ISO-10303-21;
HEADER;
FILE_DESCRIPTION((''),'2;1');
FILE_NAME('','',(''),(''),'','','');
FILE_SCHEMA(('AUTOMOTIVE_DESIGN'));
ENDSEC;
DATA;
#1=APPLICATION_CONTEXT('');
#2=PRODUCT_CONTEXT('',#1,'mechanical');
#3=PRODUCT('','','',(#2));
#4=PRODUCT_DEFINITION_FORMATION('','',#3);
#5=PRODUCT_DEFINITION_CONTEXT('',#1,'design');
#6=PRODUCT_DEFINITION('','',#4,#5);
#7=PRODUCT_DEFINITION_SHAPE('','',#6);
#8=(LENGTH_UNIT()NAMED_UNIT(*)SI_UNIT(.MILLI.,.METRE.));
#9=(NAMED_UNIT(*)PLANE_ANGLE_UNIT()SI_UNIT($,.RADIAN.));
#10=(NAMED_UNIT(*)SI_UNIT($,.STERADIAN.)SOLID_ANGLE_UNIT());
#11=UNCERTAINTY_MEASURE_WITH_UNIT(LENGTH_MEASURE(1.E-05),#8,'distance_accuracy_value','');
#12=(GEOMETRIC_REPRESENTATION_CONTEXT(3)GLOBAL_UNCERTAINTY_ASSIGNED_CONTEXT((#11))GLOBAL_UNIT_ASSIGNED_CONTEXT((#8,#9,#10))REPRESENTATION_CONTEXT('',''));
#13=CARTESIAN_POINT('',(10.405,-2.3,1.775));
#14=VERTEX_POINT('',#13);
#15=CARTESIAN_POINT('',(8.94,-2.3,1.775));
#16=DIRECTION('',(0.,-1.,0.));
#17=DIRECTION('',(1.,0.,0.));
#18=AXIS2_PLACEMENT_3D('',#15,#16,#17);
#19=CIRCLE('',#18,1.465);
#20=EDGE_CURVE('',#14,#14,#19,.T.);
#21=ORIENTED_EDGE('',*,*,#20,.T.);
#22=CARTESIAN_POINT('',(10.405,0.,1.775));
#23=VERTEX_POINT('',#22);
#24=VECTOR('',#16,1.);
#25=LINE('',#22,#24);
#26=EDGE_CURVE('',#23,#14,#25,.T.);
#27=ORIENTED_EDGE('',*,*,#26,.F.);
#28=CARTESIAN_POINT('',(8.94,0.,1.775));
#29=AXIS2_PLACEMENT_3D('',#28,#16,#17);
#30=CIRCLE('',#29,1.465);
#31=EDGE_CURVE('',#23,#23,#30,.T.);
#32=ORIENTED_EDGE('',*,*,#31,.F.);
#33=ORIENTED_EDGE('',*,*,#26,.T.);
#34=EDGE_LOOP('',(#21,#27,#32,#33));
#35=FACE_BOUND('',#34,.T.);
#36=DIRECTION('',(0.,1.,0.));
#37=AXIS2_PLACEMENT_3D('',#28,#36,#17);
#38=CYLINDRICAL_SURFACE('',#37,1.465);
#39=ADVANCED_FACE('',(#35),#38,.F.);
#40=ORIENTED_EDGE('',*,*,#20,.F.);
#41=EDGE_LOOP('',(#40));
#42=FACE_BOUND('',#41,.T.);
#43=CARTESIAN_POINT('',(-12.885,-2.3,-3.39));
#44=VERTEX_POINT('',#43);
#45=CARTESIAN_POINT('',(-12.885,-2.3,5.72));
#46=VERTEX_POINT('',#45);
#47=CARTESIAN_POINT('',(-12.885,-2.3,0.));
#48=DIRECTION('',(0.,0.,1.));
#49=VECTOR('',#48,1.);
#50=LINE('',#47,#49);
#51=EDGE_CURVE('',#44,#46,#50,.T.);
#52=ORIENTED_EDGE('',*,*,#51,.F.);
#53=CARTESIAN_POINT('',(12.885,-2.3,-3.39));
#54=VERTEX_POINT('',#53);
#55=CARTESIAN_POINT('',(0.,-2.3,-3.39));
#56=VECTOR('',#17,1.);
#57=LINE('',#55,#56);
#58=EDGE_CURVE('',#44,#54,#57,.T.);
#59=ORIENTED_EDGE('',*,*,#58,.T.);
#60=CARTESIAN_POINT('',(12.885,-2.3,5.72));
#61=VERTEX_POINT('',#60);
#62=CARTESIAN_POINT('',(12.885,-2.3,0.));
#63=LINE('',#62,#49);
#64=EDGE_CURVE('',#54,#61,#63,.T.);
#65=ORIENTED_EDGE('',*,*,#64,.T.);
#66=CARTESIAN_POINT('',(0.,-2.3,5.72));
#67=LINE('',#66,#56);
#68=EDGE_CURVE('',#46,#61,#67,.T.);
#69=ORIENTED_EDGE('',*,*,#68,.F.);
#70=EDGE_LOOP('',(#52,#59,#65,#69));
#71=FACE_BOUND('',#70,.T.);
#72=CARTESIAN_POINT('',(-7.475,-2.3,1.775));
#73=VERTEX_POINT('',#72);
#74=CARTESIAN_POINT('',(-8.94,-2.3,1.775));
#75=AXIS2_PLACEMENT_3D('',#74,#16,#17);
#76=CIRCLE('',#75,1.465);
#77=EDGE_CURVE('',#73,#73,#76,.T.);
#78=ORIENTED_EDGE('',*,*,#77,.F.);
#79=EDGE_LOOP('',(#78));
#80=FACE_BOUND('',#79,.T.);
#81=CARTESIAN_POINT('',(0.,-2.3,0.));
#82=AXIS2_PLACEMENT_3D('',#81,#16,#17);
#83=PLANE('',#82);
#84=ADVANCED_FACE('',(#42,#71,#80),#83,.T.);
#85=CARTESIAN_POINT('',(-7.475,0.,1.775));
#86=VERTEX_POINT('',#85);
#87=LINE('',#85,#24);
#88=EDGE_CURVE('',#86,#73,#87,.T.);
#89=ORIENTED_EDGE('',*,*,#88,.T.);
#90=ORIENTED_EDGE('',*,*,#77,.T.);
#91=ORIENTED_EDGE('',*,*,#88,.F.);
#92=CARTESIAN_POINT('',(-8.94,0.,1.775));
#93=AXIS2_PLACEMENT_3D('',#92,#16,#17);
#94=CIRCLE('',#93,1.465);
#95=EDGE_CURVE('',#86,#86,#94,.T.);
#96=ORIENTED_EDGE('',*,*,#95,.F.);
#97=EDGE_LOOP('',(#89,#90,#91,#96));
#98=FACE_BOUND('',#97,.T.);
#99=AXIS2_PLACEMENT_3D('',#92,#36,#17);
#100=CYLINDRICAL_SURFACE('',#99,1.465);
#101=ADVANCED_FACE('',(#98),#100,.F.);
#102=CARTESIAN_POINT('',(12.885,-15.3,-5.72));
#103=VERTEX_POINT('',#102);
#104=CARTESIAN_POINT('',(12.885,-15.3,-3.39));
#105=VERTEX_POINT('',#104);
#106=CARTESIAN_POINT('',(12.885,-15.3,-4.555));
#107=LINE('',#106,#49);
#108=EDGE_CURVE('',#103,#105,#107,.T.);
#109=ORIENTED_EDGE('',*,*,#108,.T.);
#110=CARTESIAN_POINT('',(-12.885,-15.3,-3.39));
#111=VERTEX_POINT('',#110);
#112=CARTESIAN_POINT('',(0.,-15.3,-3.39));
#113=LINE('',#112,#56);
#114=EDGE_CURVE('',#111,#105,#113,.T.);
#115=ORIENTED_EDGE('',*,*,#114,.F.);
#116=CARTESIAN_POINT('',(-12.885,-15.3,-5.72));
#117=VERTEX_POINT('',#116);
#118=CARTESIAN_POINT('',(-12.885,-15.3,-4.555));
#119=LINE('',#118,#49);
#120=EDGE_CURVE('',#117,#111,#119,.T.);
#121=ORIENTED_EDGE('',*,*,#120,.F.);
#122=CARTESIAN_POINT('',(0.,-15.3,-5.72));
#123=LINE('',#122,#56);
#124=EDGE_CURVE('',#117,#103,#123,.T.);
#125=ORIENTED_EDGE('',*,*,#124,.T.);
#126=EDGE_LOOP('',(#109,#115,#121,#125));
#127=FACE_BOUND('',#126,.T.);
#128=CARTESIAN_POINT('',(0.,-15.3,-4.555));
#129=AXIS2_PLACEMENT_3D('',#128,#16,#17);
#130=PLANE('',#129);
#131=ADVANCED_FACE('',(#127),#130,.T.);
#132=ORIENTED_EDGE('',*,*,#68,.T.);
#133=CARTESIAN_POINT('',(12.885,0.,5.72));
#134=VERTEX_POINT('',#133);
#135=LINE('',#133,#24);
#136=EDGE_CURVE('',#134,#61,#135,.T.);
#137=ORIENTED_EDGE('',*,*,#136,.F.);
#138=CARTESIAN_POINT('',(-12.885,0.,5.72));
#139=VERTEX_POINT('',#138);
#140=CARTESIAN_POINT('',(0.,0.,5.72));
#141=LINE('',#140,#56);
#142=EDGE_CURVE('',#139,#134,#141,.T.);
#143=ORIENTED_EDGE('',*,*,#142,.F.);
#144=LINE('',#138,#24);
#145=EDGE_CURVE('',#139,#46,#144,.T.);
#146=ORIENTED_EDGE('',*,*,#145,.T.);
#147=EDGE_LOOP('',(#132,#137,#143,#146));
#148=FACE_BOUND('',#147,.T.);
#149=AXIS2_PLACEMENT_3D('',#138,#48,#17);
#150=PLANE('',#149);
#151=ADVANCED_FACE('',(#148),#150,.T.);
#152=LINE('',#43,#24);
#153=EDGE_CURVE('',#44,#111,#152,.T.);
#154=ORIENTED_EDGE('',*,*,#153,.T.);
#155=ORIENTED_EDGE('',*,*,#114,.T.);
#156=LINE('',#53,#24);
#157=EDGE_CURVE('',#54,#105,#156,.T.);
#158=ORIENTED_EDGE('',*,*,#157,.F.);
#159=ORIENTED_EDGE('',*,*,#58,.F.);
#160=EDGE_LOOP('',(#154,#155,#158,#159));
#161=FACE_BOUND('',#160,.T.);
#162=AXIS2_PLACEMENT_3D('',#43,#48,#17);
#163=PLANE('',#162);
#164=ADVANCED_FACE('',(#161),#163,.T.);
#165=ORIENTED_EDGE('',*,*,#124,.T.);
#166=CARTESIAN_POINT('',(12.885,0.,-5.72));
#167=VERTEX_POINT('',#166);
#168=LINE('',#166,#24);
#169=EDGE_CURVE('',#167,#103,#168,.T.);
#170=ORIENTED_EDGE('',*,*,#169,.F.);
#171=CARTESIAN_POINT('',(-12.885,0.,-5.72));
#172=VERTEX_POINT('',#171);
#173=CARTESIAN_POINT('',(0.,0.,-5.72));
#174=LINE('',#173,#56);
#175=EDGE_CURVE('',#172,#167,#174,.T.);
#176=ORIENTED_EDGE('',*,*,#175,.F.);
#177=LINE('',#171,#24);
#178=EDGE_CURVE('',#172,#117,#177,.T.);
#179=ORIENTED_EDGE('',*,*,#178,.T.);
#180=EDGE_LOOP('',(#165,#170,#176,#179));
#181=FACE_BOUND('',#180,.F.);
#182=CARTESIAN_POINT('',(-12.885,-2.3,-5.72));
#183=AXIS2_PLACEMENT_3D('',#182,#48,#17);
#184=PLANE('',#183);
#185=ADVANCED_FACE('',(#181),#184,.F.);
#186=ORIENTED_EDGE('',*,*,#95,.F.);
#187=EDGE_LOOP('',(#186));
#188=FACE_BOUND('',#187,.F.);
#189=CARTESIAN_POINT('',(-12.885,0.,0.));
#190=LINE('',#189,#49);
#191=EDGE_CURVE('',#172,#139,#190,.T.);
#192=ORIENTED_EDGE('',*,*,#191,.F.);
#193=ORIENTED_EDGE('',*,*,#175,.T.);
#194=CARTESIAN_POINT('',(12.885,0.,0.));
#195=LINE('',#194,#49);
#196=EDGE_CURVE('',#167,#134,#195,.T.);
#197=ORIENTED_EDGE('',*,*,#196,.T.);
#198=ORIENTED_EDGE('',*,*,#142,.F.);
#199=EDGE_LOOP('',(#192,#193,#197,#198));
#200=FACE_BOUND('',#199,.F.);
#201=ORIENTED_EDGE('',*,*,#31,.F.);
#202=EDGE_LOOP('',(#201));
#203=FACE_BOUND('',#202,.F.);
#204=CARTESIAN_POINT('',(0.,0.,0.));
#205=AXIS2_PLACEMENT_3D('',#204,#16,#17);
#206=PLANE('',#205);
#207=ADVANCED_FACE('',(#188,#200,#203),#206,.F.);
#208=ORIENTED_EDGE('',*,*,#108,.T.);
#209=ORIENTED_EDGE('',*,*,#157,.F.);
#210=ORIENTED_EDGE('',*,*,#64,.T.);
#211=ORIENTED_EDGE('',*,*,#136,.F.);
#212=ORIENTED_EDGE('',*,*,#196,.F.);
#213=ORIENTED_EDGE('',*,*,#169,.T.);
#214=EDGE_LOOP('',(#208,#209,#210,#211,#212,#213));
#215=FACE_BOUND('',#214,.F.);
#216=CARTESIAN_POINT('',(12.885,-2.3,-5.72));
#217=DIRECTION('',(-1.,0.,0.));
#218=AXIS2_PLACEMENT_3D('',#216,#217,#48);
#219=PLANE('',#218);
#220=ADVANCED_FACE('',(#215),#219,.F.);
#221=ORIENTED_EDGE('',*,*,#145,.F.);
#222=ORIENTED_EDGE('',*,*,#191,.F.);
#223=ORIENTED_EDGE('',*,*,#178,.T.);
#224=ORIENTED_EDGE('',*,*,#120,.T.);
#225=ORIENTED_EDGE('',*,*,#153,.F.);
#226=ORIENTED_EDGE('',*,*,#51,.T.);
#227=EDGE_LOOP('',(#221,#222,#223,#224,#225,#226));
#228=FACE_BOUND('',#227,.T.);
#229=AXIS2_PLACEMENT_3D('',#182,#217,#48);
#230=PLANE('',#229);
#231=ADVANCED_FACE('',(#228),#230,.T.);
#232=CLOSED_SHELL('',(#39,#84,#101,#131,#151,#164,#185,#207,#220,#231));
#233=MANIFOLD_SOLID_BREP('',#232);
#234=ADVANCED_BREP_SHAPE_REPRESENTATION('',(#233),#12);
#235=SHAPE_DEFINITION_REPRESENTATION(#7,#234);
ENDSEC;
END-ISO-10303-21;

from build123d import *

# Parameters (mm, degrees)
F0_W     = 25.77
F0_H     = 11.44
F0_R     = 1.465
F1_DEPTH = 2.3
F2_W     = 25.77
F2_H     = 2.33
F3_DEPTH = 13


with BuildPart() as f1:
    # F0 (on Front) → F1 (new body)
    with BuildSketch(Plane.XZ):
        Rectangle(F0_W, F0_H)
        with Locations((-8.94, 1.775)):
            Circle(F0_R, mode=Mode.SUBTRACT)
        with Locations((8.94, 1.775)):
            Circle(F0_R, mode=Mode.SUBTRACT)
    extrude(amount=F1_DEPTH)

    # F2 (on face) → F3 (join)
    with BuildSketch(Plane.XZ.offset(2.3)):
        with Locations((0, -4.555)):
            Rectangle(F2_W, F2_H)
    extrude(amount=F3_DEPTH)


solid = f1.part
